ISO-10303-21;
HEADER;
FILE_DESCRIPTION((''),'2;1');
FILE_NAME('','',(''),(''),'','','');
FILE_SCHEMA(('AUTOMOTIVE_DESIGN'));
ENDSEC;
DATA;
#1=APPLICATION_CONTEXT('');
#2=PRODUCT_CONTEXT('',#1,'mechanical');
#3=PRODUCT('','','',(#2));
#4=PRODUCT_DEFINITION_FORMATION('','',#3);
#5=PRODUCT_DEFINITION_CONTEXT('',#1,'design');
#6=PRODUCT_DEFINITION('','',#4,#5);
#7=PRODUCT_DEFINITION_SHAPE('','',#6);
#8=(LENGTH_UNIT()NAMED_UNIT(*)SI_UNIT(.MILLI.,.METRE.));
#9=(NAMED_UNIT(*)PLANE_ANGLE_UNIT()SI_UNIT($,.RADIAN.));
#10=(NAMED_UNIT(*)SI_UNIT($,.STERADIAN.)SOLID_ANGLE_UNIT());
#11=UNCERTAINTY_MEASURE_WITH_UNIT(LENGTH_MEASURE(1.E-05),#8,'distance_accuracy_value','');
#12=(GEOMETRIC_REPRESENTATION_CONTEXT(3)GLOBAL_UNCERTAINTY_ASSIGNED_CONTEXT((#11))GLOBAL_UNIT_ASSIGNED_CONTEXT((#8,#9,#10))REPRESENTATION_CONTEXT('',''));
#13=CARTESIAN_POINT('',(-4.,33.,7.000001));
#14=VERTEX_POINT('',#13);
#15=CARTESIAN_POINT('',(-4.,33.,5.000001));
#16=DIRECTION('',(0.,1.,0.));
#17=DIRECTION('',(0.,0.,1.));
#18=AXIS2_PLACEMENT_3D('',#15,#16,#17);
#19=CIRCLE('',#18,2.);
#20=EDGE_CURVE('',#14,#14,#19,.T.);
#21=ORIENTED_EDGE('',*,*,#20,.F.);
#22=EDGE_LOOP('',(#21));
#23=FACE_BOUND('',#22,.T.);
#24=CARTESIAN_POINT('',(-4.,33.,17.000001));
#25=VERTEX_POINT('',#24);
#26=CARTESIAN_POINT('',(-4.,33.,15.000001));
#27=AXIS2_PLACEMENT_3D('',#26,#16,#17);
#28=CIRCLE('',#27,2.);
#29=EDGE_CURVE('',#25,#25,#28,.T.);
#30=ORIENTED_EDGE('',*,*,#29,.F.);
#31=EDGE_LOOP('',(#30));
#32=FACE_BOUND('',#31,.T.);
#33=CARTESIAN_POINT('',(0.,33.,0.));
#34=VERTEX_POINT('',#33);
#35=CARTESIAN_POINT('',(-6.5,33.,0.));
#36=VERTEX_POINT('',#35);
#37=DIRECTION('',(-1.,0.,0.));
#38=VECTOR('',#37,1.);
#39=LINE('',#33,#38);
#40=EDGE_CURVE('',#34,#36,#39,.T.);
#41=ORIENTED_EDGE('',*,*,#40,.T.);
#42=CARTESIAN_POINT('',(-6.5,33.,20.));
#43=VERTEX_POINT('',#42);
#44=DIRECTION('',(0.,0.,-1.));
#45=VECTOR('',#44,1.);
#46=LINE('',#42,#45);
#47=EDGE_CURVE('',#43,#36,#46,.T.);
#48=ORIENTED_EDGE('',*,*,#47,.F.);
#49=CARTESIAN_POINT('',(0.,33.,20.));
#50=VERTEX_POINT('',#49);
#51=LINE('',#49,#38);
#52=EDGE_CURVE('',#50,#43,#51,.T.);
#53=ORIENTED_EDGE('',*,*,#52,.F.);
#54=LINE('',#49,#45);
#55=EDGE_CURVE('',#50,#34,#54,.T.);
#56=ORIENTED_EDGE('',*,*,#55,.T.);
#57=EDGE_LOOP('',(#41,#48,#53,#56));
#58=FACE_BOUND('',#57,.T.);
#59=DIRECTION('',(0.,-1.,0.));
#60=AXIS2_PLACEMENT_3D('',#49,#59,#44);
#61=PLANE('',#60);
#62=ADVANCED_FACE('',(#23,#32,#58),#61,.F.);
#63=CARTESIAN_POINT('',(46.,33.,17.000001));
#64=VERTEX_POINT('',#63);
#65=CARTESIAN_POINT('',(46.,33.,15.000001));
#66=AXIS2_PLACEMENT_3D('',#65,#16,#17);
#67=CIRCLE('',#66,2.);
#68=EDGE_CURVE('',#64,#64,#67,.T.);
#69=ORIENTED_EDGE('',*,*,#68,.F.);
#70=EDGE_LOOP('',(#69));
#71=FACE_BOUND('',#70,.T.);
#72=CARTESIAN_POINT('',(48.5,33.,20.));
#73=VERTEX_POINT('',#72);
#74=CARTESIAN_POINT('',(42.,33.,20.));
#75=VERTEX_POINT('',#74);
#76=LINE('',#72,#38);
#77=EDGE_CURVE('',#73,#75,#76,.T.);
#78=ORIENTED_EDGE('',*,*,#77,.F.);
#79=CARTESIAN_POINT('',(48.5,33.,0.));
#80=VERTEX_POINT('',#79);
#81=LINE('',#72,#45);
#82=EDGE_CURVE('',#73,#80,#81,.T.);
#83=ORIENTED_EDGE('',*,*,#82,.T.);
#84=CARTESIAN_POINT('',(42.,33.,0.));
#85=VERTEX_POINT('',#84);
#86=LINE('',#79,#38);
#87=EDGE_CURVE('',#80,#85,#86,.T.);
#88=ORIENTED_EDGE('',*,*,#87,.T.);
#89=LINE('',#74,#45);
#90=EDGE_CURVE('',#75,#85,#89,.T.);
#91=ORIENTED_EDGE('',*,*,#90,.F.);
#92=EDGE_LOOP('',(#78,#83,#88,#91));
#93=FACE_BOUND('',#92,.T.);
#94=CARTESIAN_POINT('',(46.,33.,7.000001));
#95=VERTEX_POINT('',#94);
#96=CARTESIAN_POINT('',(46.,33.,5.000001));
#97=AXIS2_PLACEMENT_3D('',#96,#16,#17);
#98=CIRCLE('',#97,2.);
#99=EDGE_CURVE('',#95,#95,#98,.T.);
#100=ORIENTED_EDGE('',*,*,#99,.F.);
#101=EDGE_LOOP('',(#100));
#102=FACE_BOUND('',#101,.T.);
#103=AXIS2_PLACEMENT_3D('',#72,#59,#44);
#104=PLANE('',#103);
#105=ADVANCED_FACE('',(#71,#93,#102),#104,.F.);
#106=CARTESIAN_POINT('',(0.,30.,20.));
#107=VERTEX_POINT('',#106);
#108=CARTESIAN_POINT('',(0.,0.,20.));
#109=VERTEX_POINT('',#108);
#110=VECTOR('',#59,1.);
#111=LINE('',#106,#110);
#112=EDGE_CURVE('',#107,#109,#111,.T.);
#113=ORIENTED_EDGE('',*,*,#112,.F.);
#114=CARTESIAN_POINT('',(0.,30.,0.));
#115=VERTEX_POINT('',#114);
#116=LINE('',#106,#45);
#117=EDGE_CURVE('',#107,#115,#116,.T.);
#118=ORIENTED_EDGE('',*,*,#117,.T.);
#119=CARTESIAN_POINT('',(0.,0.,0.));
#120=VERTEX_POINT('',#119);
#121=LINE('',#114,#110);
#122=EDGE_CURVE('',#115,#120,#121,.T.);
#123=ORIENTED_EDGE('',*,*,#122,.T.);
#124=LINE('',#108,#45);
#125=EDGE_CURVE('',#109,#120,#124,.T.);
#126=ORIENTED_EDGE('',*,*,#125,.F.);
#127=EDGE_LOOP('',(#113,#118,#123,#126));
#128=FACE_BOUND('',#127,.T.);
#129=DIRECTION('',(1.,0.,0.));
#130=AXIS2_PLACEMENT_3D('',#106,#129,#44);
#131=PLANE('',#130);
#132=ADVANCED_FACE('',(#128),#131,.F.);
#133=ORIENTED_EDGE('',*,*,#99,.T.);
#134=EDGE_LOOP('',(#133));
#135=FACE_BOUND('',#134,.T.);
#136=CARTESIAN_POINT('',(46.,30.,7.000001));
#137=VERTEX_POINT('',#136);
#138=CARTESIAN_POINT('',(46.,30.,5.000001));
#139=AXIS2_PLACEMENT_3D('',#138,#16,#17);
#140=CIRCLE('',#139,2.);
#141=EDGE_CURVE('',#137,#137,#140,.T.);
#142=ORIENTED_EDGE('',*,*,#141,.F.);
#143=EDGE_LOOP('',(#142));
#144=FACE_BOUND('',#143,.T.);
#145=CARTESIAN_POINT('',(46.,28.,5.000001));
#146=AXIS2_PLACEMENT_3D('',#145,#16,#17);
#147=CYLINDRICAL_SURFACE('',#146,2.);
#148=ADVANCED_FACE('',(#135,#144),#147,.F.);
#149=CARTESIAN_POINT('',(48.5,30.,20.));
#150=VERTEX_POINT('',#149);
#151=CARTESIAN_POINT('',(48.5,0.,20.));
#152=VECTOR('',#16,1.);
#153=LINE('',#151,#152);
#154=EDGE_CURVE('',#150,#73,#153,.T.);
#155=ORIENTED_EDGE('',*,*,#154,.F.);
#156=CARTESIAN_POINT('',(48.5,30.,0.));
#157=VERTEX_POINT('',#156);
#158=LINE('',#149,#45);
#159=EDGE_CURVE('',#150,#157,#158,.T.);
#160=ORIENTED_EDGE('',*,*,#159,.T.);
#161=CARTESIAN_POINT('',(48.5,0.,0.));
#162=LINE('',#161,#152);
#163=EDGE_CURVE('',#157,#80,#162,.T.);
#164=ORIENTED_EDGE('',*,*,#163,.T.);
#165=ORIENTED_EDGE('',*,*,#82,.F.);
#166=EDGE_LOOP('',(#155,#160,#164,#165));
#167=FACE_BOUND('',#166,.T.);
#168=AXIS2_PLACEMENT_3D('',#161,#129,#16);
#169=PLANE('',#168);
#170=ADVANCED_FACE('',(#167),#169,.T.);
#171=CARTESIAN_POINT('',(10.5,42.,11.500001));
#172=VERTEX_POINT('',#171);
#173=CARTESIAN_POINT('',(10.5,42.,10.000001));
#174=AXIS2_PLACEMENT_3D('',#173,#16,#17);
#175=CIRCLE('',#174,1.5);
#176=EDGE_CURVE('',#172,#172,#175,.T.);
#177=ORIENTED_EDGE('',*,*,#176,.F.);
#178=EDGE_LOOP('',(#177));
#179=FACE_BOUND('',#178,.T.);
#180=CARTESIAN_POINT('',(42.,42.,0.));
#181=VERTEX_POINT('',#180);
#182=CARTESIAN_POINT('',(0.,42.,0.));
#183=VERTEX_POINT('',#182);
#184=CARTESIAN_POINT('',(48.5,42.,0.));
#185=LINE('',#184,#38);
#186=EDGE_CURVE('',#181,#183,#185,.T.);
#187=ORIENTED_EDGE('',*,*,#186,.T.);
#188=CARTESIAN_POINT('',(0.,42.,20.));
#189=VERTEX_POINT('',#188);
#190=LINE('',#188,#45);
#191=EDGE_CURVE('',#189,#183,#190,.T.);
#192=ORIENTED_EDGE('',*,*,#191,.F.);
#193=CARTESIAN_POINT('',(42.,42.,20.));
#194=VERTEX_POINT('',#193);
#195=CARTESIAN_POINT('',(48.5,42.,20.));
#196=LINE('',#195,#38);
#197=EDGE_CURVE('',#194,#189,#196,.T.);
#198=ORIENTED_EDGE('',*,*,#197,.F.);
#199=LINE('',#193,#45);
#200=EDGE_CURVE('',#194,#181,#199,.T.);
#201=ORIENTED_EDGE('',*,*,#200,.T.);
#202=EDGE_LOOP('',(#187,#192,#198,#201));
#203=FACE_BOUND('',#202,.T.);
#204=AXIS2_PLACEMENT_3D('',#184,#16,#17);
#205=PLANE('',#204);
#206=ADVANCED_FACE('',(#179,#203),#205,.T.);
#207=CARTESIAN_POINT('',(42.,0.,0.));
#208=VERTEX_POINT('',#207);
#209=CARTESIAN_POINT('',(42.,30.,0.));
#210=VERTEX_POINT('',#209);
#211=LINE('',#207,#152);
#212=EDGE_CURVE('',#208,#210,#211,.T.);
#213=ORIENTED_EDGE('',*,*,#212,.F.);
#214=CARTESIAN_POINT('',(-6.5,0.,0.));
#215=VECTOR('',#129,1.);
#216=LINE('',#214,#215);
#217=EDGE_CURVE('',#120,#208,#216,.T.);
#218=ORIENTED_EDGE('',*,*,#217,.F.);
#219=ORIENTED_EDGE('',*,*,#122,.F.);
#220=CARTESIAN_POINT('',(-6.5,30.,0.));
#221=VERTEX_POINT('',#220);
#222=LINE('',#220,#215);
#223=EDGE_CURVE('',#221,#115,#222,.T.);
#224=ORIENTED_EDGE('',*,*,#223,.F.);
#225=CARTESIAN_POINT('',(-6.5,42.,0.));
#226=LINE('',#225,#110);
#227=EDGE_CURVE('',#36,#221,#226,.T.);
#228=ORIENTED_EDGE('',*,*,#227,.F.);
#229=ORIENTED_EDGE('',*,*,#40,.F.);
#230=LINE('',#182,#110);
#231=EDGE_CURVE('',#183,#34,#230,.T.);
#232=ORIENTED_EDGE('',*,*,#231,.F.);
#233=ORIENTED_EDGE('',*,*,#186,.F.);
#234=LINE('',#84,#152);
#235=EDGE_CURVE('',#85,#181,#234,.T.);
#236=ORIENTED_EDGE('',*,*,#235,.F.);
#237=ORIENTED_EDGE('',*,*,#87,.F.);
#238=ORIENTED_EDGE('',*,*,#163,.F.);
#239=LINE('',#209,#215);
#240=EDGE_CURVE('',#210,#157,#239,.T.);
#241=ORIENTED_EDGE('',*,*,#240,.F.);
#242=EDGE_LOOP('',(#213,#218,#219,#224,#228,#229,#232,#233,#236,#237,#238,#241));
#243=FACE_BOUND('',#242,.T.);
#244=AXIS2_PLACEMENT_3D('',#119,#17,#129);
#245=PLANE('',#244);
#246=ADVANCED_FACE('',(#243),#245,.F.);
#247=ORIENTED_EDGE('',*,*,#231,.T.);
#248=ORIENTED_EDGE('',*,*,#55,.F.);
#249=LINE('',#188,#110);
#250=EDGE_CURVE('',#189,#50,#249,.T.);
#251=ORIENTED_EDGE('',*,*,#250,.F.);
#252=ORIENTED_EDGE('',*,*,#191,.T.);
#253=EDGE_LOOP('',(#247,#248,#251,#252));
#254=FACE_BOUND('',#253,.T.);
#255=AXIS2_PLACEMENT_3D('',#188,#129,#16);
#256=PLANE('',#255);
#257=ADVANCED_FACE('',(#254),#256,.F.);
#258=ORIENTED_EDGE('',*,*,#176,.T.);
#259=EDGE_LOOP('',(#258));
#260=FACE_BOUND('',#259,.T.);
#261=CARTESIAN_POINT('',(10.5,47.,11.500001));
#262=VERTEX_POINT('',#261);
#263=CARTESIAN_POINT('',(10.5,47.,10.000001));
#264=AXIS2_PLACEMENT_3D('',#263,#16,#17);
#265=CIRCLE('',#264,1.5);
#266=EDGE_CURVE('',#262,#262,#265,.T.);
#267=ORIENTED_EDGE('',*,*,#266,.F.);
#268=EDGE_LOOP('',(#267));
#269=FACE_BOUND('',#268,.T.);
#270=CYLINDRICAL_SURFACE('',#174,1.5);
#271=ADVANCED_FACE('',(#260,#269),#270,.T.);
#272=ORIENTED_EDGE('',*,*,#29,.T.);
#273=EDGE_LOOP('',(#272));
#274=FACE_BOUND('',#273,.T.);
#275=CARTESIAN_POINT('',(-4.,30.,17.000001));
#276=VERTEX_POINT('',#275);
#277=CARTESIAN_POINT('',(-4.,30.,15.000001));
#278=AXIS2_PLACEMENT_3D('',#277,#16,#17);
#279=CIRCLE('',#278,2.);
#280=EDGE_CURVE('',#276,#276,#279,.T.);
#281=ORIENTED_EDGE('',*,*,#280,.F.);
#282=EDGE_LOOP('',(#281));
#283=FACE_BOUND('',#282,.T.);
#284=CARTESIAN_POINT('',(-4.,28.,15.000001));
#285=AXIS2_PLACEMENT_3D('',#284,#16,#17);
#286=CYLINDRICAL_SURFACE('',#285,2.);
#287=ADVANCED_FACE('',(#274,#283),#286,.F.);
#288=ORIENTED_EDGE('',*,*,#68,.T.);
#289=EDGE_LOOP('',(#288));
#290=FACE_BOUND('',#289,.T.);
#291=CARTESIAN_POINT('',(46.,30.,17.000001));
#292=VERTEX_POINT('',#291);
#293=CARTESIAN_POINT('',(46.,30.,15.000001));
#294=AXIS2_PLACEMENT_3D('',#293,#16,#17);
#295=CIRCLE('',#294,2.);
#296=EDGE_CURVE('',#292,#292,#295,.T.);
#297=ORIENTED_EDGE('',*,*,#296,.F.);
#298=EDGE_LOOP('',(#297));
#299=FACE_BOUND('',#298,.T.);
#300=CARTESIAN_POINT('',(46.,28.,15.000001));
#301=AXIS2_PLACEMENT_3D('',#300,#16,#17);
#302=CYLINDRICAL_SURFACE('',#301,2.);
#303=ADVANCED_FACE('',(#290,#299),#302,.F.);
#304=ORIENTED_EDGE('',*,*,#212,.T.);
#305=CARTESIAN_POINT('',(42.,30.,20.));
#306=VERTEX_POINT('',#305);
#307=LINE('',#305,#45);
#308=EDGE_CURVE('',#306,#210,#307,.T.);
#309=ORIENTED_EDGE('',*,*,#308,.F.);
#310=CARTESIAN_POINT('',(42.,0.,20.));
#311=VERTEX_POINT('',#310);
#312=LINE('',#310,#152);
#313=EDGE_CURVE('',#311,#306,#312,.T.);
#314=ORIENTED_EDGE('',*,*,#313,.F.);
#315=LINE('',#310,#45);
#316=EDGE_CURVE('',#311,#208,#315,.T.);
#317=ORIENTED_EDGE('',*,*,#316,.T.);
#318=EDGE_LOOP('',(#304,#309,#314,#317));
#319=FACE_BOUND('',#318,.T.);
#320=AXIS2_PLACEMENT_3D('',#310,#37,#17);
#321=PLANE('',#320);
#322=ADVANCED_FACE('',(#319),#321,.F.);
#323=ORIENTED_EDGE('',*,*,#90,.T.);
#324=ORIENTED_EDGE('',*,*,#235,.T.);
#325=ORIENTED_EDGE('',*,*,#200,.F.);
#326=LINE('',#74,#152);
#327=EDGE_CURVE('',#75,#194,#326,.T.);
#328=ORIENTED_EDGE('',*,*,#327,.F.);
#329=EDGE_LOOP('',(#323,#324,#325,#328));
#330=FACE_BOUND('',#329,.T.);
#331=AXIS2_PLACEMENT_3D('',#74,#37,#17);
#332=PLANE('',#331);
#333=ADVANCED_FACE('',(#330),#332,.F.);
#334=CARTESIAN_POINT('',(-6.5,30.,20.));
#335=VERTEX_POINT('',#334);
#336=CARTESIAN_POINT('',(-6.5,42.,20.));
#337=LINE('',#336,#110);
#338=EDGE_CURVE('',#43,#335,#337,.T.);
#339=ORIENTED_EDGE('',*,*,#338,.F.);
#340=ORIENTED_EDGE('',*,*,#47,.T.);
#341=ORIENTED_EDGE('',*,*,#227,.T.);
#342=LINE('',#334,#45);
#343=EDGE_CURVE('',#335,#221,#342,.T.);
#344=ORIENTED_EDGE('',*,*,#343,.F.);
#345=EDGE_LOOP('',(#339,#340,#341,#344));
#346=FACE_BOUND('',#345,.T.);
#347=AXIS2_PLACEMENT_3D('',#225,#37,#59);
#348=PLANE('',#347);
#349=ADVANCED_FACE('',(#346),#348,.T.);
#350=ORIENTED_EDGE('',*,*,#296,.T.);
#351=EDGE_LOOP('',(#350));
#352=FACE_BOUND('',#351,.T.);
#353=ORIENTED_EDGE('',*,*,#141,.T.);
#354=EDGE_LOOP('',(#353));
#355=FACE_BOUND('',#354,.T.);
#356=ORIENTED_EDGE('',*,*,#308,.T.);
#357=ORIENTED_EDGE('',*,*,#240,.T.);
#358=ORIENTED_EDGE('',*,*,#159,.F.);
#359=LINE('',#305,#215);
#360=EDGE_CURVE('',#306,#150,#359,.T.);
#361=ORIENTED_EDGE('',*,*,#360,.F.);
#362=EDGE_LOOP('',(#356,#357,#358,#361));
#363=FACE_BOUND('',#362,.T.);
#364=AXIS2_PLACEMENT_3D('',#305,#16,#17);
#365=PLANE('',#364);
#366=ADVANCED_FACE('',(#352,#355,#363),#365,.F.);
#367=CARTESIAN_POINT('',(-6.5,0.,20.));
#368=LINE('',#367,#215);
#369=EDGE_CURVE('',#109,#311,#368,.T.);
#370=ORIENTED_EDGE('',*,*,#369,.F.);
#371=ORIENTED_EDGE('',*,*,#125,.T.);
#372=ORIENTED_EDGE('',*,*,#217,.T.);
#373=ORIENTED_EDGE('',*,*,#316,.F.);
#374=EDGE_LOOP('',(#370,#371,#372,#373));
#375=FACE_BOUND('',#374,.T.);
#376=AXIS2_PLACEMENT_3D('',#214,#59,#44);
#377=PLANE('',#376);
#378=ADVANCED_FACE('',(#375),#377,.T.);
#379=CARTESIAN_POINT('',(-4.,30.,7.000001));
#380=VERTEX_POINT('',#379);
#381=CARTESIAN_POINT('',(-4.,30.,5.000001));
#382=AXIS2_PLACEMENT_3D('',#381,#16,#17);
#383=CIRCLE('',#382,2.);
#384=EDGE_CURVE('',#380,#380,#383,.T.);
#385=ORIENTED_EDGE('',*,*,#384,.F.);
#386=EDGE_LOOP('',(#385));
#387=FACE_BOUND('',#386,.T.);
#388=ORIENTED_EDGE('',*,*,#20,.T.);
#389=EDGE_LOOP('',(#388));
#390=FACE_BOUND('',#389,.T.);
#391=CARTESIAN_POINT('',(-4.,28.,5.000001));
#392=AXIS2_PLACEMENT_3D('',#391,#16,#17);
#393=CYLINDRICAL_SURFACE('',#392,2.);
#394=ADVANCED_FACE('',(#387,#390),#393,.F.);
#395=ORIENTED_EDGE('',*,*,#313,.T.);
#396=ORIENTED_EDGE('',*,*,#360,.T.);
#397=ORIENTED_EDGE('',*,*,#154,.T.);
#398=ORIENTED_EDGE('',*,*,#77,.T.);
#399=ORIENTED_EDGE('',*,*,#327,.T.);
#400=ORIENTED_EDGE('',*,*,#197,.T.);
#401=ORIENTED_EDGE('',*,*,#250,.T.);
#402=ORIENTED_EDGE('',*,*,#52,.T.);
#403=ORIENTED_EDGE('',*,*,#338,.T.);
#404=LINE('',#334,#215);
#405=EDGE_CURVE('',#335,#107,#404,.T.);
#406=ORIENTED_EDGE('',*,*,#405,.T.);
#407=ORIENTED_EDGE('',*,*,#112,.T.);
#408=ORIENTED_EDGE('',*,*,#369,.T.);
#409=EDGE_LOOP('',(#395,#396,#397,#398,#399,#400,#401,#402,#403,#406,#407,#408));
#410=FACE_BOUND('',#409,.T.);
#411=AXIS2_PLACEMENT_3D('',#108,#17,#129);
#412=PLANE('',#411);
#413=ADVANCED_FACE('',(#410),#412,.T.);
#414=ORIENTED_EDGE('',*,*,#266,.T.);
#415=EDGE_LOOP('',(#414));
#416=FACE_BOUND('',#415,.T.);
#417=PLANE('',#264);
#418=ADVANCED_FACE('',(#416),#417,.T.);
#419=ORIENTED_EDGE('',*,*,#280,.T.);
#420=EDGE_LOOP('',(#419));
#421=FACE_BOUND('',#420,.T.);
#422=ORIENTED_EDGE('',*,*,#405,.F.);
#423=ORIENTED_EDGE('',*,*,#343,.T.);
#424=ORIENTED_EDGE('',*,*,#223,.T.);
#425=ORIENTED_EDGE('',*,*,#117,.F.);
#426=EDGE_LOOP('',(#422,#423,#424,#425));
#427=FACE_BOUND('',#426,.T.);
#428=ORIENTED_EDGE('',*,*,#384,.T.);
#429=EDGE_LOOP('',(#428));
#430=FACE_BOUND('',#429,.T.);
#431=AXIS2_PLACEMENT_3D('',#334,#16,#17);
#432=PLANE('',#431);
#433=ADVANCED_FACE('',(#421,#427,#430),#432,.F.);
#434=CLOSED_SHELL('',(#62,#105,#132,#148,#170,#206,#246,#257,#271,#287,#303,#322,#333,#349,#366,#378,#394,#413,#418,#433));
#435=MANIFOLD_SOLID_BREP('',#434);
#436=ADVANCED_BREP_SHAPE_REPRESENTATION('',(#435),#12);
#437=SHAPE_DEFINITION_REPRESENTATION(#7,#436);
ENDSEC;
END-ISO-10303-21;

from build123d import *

# Parameters (mm, degrees)
SKETCH_1_W                = 55
SKETCH_1_H                = 42
EXTRUDE_1_DEPTH           = 20
SKETCH_2_W                = 6.5
SKETCH_2_H                = 9
CUT_EXTRUDE_1_DEPTH       = 68.203050526
SKETCH_3_W                = 6.5
SKETCH_3_H                = 30
CUT_EXTRUDE_2_DEPTH       = 68.203050526
SKETCH_4_W                = 6.5
SKETCH_4_H                = 30
CUT_EXTRUDE_3_DEPTH       = 68.203050526
SKETCH_5_W                = 6.5
SKETCH_5_H                = 9
CUT_EXTRUDE_4_DEPTH       = 68.203050526
SKETCH_6_W                = 3
SKETCH_6_H                = 5
HOLE_WIZARD_2_0_2_1_D     = 2
HOLE_WIZARD_2_0_2_1_DEPTH = 33
CUT_EXTRUDE_START         = -5
SKETCH_9_R                = 3
SKETCH_9_R_2              = 1.5
CUT_EXTRUDE_5_DEPTH       = 5
SKETCH_10_R               = 2
CUT_EXTRUDE_6_DEPTH       = 5


with BuildPart() as part:
    # 草图1 → 凸台-拉伸1 (new body)
    with BuildSketch(Plane.XY.offset(20)):
        with Locations((21, 21)):
            Rectangle(SKETCH_1_W, SKETCH_1_H)
    extrude(amount=-EXTRUDE_1_DEPTH)

    # 草图2 → 切除-拉伸1 (cut, through all)
    with BuildSketch(Plane(origin=(0, 0, 0), x_dir=(-1, 0, 0), z_dir=(0, 0, -1))):
        with Locations((3.25, 37.5)):
            Rectangle(SKETCH_2_W, SKETCH_2_H)
    extrude(amount=-CUT_EXTRUDE_1_DEPTH, mode=Mode.SUBTRACT)

    # 草图3 → 切除-拉伸2 (cut, through all)
    with BuildSketch(Plane(origin=(0, 0, 0), x_dir=(-1, 0, 0), z_dir=(0, 0, -1))):
        with Locations((3.25, 15)):
            Rectangle(SKETCH_3_W, SKETCH_3_H)
    extrude(amount=-CUT_EXTRUDE_2_DEPTH, mode=Mode.SUBTRACT)

    # 草图4 → 切除-拉伸3 (cut, through all)
    with BuildSketch(Plane(origin=(0, 0, 0), x_dir=(-1, 0, 0), z_dir=(0, 0, -1))):
        with Locations((-45.25, 15)):
            Rectangle(SKETCH_4_W, SKETCH_4_H)
    extrude(amount=-CUT_EXTRUDE_3_DEPTH, mode=Mode.SUBTRACT)

    # 草图5 → 切除-拉伸4 (cut, through all)
    with BuildSketch(Plane(origin=(0, 0, 0), x_dir=(-1, 0, 0), z_dir=(0, 0, -1))):
        with Locations((-45.25, 37.5)):
            Rectangle(SKETCH_5_W, SKETCH_5_H)
    extrude(amount=-CUT_EXTRUDE_4_DEPTH, mode=Mode.SUBTRACT)

    # 草图6 → 旋转1 (revolve)
    with BuildSketch(Plane(origin=(0, 0, 10.000000949), x_dir=(-1, 0, 0), z_dir=(0, 0, -1)), mode=Mode.PRIVATE) as revolve_1_sk:
        with Locations((-12, 44.5)):
            Rectangle(SKETCH_6_W, SKETCH_6_H)
    revolve(revolve_1_sk.sketch.rotate(Axis((10.5, 42, 10.000000949), (0, 1, 0)), 270), axis=Axis((10.5, 42, 10.000000949), (0, 1, 0)))

    # Ø2.0 (2) 直径孔1
    with Locations(Plane(origin=(0, 33, 0), x_dir=(1, 0, 0), z_dir=(0, 1, 0))):
        with Locations((46, -15.000000809), (-4, -5.000000809), (-4, -15.000000809), (46, -5.000000809)):
            Hole(HOLE_WIZARD_2_0_2_1_D / 2, depth=HOLE_WIZARD_2_0_2_1_DEPTH)

    # 草图9 → 切除-拉伸5 (cut)
    with BuildSketch(Plane(origin=(0, 47, 0), x_dir=(1, 0, 0), z_dir=(0, 1, 0)).offset(CUT_EXTRUDE_START)):
        with Locations((10.5, -10.000000949)):
            Circle(SKETCH_9_R)
        with Locations(Location((10.5, -10.000000949, 0), (0, 0, 270))):
            Circle(SKETCH_9_R_2, mode=Mode.SUBTRACT)
    extrude(amount=CUT_EXTRUDE_5_DEPTH, mode=Mode.SUBTRACT)

    # 草图10 → 切除-拉伸6 (cut)
    with BuildSketch(Plane(origin=(0, 33, 0), x_dir=(1, 0, 0), z_dir=(0, 1, 0))):
        with Locations(Location((46, -15.000000809, 0), (0, 0, 270))):
            Circle(SKETCH_10_R)
        with Locations(Location((46, -5.000000809, 0), (0, 0, 270))):
            Circle(SKETCH_10_R)
        with Locations(Location((-4, -5.000000809, 0), (0, 0, 270))):
            Circle(SKETCH_10_R)
        with Locations(Location((-4, -15.000000809, 0), (0, 0, 270))):
            Circle(SKETCH_10_R)
    extrude(amount=-CUT_EXTRUDE_6_DEPTH, mode=Mode.SUBTRACT)


solid = part.part
